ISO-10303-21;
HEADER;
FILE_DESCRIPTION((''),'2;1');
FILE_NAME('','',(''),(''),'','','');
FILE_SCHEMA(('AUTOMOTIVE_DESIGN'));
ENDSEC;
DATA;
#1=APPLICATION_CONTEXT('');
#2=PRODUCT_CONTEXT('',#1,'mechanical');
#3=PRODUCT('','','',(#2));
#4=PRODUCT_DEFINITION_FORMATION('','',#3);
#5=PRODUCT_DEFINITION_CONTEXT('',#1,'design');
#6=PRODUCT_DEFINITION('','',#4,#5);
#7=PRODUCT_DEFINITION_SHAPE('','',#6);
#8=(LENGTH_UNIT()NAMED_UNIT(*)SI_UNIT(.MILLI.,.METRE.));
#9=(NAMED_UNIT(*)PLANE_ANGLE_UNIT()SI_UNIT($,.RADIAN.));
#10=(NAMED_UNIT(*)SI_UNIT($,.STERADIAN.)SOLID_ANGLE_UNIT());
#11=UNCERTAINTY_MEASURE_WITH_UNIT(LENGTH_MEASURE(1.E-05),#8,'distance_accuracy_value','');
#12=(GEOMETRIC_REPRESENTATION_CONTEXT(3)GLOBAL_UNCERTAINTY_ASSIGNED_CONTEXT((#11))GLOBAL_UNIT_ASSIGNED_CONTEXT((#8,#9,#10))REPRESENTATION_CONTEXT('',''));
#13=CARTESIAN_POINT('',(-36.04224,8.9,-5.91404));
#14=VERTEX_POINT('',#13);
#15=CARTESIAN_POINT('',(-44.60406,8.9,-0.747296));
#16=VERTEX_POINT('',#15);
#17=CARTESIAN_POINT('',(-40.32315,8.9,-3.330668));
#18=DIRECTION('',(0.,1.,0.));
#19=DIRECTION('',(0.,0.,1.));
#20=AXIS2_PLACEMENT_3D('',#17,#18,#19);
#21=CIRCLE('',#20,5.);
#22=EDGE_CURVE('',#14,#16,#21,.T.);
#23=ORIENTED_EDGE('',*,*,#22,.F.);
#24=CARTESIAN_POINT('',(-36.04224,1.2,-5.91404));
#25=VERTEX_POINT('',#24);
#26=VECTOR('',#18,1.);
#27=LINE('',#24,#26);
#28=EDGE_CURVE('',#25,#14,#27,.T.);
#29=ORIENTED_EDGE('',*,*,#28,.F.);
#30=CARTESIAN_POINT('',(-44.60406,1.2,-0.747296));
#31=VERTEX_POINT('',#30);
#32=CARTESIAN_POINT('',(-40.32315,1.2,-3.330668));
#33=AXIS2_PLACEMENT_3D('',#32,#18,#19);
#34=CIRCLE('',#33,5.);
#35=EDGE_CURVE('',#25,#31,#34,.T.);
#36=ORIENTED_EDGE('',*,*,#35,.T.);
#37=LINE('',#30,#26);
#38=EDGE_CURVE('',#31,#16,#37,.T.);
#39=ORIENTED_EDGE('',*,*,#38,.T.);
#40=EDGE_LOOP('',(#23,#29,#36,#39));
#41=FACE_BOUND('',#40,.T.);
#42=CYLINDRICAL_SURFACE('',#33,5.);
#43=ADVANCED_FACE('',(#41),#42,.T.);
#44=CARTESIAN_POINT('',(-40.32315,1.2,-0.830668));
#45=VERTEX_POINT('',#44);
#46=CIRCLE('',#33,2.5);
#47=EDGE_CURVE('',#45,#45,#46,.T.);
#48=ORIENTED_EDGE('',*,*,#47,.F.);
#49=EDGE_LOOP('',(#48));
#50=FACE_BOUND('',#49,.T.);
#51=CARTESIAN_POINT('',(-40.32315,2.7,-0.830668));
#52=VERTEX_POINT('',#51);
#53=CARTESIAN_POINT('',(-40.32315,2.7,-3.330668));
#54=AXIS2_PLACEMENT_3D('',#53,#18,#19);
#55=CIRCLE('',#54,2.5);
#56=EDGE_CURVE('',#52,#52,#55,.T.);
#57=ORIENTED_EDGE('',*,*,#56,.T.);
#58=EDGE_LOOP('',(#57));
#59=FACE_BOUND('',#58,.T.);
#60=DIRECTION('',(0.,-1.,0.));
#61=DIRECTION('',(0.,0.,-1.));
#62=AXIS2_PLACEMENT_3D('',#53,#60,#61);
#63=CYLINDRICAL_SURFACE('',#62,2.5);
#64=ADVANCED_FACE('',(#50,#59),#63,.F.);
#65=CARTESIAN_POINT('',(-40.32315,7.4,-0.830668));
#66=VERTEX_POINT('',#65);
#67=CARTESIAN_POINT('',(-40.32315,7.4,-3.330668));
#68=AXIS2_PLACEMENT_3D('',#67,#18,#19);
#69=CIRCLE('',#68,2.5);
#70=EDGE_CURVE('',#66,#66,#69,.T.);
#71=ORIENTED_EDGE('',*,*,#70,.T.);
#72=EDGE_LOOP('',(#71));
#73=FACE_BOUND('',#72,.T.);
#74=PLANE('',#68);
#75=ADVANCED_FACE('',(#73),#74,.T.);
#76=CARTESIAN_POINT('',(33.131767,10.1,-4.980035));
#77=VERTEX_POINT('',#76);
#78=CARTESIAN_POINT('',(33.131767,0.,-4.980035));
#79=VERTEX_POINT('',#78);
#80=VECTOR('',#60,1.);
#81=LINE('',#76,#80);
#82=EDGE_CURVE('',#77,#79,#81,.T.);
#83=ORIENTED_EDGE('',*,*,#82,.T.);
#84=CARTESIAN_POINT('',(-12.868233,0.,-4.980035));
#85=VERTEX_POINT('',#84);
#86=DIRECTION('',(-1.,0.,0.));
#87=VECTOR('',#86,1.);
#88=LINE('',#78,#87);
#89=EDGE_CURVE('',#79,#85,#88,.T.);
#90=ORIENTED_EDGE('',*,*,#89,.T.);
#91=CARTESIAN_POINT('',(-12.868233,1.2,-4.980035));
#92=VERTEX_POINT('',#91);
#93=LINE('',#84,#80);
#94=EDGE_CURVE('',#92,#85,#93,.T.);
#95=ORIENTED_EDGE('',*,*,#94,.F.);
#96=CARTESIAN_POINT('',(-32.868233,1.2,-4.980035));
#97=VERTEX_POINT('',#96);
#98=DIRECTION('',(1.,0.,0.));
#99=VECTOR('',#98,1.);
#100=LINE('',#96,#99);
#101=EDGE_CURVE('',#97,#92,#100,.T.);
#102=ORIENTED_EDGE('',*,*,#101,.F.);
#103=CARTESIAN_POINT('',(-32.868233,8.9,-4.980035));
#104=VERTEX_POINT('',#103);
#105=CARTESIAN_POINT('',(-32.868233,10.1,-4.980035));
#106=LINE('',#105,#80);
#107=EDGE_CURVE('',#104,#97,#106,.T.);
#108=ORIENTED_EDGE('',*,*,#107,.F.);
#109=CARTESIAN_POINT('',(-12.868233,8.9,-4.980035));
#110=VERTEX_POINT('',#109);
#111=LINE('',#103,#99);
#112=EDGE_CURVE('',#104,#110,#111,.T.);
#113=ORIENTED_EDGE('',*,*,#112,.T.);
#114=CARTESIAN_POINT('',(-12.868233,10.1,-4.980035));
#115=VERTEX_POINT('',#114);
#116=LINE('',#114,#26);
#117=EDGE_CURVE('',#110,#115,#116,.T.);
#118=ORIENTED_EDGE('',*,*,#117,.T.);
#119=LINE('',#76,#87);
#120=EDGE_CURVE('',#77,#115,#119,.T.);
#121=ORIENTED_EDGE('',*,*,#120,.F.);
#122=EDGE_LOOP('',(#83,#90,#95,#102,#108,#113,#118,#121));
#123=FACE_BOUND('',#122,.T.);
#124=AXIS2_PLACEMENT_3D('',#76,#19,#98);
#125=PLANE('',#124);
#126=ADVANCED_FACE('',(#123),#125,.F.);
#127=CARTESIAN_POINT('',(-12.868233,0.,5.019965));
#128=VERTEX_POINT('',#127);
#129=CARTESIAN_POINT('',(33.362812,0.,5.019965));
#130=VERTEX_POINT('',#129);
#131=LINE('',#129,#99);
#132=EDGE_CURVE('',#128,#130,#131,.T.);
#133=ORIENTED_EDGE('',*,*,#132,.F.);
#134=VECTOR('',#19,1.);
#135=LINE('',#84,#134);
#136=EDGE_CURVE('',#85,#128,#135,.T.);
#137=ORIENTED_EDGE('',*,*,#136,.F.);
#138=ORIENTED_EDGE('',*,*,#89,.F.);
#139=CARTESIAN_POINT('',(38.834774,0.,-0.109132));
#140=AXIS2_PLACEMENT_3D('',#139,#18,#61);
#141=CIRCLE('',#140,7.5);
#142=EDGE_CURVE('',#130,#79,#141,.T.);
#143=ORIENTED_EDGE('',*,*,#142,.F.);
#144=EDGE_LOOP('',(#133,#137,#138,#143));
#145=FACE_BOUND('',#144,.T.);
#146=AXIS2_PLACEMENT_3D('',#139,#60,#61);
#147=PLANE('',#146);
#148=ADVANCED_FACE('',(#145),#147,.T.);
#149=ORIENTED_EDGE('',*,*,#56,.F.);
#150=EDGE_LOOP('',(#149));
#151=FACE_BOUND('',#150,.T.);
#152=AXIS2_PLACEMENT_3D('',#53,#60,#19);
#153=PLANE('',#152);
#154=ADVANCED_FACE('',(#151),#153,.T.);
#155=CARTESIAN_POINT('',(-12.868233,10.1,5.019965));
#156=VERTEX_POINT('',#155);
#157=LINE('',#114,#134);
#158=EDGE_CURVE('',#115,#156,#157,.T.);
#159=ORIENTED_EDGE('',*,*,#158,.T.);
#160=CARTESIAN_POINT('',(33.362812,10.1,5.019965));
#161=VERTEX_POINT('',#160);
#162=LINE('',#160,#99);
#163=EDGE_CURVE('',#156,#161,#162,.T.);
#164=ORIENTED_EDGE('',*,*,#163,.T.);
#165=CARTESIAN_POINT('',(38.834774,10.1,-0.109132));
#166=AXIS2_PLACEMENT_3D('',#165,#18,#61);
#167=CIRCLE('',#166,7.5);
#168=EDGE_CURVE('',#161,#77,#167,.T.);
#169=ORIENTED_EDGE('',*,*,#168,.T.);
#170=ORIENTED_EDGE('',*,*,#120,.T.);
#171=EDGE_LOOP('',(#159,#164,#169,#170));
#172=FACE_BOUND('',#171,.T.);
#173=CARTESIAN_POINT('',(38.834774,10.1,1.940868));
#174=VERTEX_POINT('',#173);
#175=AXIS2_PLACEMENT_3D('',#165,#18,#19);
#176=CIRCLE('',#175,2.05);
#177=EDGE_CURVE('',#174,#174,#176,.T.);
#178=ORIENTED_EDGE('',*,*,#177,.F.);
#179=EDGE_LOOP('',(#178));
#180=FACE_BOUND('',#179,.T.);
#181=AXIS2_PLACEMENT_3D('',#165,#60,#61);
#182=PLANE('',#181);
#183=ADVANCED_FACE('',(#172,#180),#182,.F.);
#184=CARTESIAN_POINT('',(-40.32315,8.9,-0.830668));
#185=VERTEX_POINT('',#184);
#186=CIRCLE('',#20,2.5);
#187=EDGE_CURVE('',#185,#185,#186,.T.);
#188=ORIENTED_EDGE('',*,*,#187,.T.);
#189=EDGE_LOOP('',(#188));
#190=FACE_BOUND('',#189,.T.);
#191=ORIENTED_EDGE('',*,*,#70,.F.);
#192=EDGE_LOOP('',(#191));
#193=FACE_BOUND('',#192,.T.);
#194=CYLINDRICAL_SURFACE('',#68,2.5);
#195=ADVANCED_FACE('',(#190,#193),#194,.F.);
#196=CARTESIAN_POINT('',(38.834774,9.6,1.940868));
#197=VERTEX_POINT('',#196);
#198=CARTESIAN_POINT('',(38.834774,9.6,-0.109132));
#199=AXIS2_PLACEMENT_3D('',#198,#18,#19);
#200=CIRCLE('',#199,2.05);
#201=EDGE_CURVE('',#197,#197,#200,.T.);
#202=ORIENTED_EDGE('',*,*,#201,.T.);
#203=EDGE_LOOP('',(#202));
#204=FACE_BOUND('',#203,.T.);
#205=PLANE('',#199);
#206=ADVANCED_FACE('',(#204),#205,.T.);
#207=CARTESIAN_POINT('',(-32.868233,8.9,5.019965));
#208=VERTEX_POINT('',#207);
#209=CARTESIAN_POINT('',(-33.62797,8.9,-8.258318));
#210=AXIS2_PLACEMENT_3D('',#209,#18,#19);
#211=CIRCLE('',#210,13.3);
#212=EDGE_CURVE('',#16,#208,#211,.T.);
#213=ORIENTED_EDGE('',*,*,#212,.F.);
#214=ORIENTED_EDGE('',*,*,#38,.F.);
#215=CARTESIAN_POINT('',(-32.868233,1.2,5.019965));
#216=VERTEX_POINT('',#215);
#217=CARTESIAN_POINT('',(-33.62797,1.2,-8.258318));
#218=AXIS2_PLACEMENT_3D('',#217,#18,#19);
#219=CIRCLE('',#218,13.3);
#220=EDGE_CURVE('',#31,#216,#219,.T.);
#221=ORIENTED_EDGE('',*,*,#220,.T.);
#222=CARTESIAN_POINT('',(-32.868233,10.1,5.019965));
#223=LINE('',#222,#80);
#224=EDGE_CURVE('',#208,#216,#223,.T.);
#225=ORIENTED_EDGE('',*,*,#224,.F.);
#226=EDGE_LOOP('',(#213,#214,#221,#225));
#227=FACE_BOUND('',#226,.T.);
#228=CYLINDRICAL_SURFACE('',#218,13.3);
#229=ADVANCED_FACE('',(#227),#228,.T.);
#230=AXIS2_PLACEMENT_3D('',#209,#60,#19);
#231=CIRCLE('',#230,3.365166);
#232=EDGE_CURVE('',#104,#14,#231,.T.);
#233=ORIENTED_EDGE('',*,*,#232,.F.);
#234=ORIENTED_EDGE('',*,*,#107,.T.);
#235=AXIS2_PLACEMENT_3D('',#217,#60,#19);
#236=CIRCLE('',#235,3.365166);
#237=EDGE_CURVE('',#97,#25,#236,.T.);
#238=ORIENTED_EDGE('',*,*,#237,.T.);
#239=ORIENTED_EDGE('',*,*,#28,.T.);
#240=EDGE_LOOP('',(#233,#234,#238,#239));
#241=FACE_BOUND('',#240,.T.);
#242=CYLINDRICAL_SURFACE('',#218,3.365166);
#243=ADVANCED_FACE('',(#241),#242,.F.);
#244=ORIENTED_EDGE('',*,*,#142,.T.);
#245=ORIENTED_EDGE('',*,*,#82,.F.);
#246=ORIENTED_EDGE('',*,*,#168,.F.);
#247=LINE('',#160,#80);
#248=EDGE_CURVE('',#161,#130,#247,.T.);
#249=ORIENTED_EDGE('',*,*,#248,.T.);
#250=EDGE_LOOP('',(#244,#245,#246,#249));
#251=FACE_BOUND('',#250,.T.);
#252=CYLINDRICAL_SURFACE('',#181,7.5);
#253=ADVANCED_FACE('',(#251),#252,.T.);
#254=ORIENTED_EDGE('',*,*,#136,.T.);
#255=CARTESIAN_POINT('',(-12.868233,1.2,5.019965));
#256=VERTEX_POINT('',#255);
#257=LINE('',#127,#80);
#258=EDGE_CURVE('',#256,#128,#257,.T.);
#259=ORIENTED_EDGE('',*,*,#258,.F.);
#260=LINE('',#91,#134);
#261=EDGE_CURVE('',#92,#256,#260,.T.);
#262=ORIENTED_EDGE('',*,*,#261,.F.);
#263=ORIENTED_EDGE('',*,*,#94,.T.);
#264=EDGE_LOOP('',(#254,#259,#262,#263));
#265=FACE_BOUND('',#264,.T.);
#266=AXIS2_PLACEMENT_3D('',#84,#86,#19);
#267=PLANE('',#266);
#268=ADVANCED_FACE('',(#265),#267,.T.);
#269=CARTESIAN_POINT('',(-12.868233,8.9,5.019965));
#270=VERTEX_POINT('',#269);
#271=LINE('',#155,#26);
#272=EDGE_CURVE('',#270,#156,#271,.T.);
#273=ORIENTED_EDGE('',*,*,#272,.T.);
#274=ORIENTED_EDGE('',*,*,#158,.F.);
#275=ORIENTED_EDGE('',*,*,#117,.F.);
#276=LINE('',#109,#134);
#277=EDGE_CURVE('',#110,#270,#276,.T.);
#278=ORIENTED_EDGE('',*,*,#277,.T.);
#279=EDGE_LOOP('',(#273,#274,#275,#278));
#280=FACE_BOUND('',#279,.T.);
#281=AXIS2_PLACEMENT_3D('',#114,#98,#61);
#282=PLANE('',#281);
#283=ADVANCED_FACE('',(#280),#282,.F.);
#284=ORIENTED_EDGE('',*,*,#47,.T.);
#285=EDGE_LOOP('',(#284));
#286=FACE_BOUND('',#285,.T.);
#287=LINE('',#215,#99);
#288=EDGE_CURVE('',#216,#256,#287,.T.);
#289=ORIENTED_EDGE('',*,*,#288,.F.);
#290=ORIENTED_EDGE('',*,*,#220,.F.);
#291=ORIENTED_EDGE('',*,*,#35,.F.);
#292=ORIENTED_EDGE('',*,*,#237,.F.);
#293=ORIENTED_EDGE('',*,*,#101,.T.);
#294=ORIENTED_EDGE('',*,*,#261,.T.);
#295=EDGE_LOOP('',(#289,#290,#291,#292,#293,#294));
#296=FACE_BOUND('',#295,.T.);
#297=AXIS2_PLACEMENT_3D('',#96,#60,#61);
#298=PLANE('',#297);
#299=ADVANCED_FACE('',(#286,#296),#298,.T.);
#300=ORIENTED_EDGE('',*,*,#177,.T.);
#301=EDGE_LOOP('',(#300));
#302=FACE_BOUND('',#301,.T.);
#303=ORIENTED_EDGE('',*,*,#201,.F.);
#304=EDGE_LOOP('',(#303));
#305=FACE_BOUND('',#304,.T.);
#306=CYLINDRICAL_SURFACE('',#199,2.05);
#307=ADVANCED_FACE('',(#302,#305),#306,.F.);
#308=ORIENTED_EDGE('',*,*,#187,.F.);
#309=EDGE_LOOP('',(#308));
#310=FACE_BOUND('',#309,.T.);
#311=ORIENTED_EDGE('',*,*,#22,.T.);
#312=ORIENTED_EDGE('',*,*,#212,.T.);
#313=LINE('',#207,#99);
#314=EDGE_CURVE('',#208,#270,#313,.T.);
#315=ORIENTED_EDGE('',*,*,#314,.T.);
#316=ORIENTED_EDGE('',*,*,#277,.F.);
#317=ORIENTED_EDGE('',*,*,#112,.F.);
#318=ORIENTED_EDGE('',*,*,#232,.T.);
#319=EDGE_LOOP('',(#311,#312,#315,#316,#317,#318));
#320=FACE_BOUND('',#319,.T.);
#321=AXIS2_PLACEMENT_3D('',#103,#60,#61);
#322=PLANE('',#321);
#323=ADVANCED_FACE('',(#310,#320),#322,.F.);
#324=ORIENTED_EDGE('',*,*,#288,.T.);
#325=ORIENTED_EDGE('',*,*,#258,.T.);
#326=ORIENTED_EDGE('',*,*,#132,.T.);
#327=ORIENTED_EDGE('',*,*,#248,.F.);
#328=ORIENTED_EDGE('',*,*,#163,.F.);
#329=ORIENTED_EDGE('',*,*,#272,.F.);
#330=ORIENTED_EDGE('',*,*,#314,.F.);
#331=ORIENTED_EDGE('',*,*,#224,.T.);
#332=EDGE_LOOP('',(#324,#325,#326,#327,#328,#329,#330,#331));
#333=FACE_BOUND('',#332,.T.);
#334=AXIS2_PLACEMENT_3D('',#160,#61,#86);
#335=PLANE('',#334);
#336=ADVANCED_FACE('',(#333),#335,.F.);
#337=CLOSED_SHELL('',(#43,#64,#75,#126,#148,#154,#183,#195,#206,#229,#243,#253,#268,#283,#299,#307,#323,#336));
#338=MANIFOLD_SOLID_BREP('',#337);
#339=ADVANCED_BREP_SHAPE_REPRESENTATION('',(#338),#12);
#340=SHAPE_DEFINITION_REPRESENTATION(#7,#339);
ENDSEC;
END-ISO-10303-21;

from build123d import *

# Parameters (mm, degrees)
SALIENTE_EXTRUIR1_DEPTH = 10.1
CROQUIS4_W              = 20
CROQUIS4_H              = 1.2
CORTAR_EXTRUIR1_DEPTH   = 10
SALIENTE_EXTRUIR2_START = -7.7
SALIENTE_EXTRUIR2_DEPTH = 7.7
CROQUIS6_R              = 2.5
CORTAR_EXTRUIR2_DEPTH   = 1.5
CROQUIS7_R              = 2.05
CORTAR_EXTRUIR3_DEPTH   = 0.5


with BuildPart() as part:
    # Croquis3 → Saliente-Extruir1 (new body)
    with BuildSketch(Plane(origin=(0, 0, 0), x_dir=(1, 0, 0), z_dir=(0, 1, 0))):
        with BuildLine():
            Line((33.362812396, -5.019964628), (-32.868233457, -5.019964628))
            Line((-32.868233457, -5.019964628), (-32.868233457, 4.980035372))
            Line((-32.868233457, 4.980035372), (33.131766543, 4.980035372))
            ThreePointArc((33.131766543, 4.980035372), (46.332773431, 0.282370053), (33.362812396, -5.019964628))
        make_face()
    extrude(amount=SALIENTE_EXTRUIR1_DEPTH)

    # Croquis4 → Cortar-Extruir1 (cut)
    with BuildSketch(Plane.XY.offset(5.019964628)):
        with Locations((-22.868233457, 9.5)):
            Rectangle(CROQUIS4_W, CROQUIS4_H)
    cortar_extruir1 = extrude(amount=-CORTAR_EXTRUIR1_DEPTH, mode=Mode.SUBTRACT)

    # Simetría1: Cortar-Extruir1 across plane
    add(cortar_extruir1.mirror(Plane.ZX.offset(5.05)), mode=Mode.SUBTRACT)

    # Croquis5 → Saliente-Extruir2 (add)
    with BuildSketch(Plane(origin=(0, 8.9, 0), x_dir=(1, 0, 0), z_dir=(0, 1, 0)).offset(SALIENTE_EXTRUIR2_START)):
        with BuildLine():
            Line((-32.868233457, 4.980035372), (-32.868233457, -5.019964628))
            ThreePointArc((-32.868233457, -5.019964628), (-39.493870843, -3.678231071), (-44.60405989, 0.747295745))
            ThreePointArc((-44.60405989, 0.747295745), (-42.906522418, 7.611577683), (-36.04224048, 5.914040211))
            ThreePointArc((-36.04224048, 5.914040211), (-34.577950006, 5.030024916), (-32.868233457, 4.980035372))
        make_face()
    extrude(amount=SALIENTE_EXTRUIR2_DEPTH)

    # Croquis6 → Cortar-Extruir2 (cut)
    with BuildSketch(Plane(origin=(0, 8.9, 0), x_dir=(1, 0, 0), z_dir=(0, 1, 0))):
        with Locations(Location((-40.323150185, 3.330667978, 0), (0, 0, 270))):
            Circle(CROQUIS6_R)
    cortar_extruir2 = extrude(amount=-CORTAR_EXTRUIR2_DEPTH, mode=Mode.SUBTRACT)

    # Simetría2: Cortar-Extruir2 across plane
    add(cortar_extruir2.mirror(Plane.ZX.offset(5.05)), mode=Mode.SUBTRACT)

    # Croquis7 → Cortar-Extruir3 (cut)
    with BuildSketch(Plane(origin=(0, 10.1, 0), x_dir=(1, 0, 0), z_dir=(0, 1, 0))):
        with Locations(Location((38.834774462, 0.109131896, 0), (0, 0, 270))):
            Circle(CROQUIS7_R)
    extrude(amount=-CORTAR_EXTRUIR3_DEPTH, mode=Mode.SUBTRACT)


solid = part.part
